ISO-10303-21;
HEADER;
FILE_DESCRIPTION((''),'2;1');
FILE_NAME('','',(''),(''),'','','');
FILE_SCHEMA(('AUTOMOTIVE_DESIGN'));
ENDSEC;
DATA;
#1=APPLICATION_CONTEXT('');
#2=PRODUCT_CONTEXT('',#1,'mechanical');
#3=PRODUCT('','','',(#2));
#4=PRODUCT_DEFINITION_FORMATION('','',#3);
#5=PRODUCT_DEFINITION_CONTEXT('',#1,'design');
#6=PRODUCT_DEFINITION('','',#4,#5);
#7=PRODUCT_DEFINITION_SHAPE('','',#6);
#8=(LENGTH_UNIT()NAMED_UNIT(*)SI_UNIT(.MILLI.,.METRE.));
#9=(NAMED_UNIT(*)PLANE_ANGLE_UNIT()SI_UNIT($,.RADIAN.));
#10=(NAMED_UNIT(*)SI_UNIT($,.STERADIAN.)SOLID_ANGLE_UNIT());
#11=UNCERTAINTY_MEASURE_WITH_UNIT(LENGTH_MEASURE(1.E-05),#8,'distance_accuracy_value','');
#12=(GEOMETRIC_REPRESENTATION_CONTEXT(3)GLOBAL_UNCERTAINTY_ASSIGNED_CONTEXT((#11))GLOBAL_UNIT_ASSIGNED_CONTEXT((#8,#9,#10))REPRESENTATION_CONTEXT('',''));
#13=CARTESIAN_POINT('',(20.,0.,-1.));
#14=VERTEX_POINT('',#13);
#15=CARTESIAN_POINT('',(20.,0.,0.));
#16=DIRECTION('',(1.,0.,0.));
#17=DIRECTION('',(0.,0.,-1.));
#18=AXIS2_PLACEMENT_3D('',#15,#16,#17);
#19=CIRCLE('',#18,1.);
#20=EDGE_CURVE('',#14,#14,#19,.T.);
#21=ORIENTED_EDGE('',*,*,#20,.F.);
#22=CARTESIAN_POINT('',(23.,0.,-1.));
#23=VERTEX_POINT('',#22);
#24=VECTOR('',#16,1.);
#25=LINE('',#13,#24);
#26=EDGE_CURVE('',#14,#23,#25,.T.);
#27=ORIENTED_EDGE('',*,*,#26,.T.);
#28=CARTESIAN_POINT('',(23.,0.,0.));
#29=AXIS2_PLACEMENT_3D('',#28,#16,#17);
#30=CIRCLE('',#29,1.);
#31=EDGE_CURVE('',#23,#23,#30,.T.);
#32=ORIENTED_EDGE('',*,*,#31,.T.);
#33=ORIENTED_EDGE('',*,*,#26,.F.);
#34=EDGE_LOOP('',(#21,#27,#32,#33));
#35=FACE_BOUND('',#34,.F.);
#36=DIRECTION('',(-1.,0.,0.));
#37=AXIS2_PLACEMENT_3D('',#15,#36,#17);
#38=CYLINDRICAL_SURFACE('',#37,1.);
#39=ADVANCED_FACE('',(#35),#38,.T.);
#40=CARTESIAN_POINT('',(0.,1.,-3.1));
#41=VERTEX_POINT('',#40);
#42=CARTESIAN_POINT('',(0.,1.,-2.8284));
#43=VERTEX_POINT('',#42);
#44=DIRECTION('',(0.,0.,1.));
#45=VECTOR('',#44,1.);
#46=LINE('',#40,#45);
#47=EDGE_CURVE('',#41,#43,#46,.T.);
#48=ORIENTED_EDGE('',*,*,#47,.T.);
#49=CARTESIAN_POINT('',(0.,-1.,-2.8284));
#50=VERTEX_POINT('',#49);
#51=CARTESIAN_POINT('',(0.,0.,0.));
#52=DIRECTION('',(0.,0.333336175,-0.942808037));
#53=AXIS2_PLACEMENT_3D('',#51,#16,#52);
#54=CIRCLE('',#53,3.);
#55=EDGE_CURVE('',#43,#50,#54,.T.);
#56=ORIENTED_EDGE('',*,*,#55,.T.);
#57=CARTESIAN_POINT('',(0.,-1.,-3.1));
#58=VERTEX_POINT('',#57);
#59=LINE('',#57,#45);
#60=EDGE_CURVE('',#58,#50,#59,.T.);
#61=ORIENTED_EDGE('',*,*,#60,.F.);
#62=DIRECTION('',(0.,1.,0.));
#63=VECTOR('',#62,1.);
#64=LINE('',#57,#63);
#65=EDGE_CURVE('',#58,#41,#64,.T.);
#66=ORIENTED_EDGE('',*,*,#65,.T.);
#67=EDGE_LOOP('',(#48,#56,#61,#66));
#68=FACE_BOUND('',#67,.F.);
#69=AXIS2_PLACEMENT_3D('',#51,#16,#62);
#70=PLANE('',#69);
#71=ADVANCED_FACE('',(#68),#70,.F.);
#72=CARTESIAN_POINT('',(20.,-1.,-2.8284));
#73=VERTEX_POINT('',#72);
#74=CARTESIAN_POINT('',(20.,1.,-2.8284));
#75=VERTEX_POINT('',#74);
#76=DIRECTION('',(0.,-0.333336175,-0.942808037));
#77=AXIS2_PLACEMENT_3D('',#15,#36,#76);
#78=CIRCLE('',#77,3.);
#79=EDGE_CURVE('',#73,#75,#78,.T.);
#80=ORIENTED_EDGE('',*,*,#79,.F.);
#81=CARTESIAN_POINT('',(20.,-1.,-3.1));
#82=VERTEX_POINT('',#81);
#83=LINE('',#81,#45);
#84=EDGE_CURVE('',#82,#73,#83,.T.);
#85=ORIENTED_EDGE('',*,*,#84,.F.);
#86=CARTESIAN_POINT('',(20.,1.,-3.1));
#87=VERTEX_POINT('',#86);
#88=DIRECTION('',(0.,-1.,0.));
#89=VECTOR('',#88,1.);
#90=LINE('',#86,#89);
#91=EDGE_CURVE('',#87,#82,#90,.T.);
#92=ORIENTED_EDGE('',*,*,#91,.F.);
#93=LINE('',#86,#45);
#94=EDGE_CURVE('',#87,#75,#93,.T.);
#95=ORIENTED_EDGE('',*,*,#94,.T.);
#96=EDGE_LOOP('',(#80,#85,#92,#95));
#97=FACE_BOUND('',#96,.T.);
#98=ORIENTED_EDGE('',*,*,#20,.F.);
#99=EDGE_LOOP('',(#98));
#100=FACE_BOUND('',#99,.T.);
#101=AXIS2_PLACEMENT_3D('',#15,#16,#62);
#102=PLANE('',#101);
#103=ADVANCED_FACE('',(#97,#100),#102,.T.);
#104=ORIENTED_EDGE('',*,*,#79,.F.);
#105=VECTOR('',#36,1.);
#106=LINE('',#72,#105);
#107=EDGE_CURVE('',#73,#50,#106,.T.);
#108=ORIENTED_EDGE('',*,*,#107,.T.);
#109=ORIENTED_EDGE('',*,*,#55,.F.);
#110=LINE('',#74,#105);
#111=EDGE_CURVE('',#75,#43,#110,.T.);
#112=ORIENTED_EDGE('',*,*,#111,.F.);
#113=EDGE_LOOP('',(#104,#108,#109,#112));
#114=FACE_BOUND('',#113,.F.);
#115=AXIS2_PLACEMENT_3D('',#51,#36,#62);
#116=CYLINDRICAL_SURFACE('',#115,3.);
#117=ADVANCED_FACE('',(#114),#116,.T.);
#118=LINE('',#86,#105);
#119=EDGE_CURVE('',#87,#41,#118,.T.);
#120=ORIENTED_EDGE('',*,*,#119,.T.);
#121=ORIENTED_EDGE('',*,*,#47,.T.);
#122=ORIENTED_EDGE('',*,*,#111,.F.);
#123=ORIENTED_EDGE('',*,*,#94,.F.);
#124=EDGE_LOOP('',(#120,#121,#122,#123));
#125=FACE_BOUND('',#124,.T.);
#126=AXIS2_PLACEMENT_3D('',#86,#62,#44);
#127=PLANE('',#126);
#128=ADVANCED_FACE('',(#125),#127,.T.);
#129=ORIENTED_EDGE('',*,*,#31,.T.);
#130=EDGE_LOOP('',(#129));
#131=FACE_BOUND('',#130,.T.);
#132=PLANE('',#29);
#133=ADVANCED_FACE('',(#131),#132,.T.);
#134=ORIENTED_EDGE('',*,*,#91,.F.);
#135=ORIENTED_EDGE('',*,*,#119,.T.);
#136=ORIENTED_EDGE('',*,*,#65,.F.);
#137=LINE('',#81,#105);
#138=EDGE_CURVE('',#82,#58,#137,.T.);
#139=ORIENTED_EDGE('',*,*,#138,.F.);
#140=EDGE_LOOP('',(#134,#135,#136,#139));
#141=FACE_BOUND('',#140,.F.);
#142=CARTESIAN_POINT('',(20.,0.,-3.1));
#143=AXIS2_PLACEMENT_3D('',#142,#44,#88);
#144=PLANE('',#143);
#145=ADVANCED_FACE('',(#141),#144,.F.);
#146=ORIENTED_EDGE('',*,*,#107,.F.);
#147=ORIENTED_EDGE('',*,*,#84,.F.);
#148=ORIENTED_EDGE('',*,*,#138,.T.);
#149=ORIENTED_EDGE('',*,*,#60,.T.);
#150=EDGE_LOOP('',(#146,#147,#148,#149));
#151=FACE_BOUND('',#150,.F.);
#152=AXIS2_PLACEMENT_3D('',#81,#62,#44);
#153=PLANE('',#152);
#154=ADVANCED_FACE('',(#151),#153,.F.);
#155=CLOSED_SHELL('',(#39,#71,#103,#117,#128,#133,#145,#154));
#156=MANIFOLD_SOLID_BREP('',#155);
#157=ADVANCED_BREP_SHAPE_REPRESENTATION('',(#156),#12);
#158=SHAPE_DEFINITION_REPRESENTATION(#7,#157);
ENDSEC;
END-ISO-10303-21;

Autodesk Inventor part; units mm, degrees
ref_plane "YZ Plane" through (0, 0, 0) normal (1, 0, 0) x (0, 1, 0)
ref_plane "XZ Plane" through (0, 0, 0) normal (0, 1, 0) x (-1, 0, 0)
ref_plane "XY Plane" through (0, 0, 0) normal (0, 0, 1) x (1, 0, 0)
sketch "Sketch1" plane through (0, 0, 0) normal (1, 0, 0) x (0, 1, 0)
  circle A0 centre (0, 0) radius 3
  dimension "d0" = 6
extrude "Extrusion1" add sketch "Sketch1" along normal blind 20
sketch "Sketch2" plane through (20, 0, 0) normal (1, 0, 0) x (0, 0, -1)
  circle A0 centre (0, 0) radius 3 projected
  circle A1 centre (0, 0) radius 1
  dimension "d3" = 2
extrude "Extrusion2" add sketch "Sketch2" along normal blind 3 contours A1
sketch "Sketch3" plane through (20, 0, 0) normal (1, 0, 0) x (0, 0, -1)
  circle A0 centre (0, 0) radius 1 projected
  circle A1 centre (0, 0) radius 3 projected
  line L0 (3, 0) -> (3.1, 0)
  line L1 (3.1, 0) -> (3.1, -1)
  line L2 (3.1, -1) -> (3.1, 1)
  line L3 (3.1, 1) -> (2.8284, 1)
  circle A2 centre (0, 0) radius 3 projected
  line L4 (3.1, -1) -> (2.8284, -1)
  dimension "d6" = 0.1
  dimension "d7" = 2
extrude "Extrusion3" add sketch "Sketch3" against normal up to surface (20 mm away) contours L0 L1 L4 A1 | A1 L3 L2 L0
properties part number "silnik_2"
